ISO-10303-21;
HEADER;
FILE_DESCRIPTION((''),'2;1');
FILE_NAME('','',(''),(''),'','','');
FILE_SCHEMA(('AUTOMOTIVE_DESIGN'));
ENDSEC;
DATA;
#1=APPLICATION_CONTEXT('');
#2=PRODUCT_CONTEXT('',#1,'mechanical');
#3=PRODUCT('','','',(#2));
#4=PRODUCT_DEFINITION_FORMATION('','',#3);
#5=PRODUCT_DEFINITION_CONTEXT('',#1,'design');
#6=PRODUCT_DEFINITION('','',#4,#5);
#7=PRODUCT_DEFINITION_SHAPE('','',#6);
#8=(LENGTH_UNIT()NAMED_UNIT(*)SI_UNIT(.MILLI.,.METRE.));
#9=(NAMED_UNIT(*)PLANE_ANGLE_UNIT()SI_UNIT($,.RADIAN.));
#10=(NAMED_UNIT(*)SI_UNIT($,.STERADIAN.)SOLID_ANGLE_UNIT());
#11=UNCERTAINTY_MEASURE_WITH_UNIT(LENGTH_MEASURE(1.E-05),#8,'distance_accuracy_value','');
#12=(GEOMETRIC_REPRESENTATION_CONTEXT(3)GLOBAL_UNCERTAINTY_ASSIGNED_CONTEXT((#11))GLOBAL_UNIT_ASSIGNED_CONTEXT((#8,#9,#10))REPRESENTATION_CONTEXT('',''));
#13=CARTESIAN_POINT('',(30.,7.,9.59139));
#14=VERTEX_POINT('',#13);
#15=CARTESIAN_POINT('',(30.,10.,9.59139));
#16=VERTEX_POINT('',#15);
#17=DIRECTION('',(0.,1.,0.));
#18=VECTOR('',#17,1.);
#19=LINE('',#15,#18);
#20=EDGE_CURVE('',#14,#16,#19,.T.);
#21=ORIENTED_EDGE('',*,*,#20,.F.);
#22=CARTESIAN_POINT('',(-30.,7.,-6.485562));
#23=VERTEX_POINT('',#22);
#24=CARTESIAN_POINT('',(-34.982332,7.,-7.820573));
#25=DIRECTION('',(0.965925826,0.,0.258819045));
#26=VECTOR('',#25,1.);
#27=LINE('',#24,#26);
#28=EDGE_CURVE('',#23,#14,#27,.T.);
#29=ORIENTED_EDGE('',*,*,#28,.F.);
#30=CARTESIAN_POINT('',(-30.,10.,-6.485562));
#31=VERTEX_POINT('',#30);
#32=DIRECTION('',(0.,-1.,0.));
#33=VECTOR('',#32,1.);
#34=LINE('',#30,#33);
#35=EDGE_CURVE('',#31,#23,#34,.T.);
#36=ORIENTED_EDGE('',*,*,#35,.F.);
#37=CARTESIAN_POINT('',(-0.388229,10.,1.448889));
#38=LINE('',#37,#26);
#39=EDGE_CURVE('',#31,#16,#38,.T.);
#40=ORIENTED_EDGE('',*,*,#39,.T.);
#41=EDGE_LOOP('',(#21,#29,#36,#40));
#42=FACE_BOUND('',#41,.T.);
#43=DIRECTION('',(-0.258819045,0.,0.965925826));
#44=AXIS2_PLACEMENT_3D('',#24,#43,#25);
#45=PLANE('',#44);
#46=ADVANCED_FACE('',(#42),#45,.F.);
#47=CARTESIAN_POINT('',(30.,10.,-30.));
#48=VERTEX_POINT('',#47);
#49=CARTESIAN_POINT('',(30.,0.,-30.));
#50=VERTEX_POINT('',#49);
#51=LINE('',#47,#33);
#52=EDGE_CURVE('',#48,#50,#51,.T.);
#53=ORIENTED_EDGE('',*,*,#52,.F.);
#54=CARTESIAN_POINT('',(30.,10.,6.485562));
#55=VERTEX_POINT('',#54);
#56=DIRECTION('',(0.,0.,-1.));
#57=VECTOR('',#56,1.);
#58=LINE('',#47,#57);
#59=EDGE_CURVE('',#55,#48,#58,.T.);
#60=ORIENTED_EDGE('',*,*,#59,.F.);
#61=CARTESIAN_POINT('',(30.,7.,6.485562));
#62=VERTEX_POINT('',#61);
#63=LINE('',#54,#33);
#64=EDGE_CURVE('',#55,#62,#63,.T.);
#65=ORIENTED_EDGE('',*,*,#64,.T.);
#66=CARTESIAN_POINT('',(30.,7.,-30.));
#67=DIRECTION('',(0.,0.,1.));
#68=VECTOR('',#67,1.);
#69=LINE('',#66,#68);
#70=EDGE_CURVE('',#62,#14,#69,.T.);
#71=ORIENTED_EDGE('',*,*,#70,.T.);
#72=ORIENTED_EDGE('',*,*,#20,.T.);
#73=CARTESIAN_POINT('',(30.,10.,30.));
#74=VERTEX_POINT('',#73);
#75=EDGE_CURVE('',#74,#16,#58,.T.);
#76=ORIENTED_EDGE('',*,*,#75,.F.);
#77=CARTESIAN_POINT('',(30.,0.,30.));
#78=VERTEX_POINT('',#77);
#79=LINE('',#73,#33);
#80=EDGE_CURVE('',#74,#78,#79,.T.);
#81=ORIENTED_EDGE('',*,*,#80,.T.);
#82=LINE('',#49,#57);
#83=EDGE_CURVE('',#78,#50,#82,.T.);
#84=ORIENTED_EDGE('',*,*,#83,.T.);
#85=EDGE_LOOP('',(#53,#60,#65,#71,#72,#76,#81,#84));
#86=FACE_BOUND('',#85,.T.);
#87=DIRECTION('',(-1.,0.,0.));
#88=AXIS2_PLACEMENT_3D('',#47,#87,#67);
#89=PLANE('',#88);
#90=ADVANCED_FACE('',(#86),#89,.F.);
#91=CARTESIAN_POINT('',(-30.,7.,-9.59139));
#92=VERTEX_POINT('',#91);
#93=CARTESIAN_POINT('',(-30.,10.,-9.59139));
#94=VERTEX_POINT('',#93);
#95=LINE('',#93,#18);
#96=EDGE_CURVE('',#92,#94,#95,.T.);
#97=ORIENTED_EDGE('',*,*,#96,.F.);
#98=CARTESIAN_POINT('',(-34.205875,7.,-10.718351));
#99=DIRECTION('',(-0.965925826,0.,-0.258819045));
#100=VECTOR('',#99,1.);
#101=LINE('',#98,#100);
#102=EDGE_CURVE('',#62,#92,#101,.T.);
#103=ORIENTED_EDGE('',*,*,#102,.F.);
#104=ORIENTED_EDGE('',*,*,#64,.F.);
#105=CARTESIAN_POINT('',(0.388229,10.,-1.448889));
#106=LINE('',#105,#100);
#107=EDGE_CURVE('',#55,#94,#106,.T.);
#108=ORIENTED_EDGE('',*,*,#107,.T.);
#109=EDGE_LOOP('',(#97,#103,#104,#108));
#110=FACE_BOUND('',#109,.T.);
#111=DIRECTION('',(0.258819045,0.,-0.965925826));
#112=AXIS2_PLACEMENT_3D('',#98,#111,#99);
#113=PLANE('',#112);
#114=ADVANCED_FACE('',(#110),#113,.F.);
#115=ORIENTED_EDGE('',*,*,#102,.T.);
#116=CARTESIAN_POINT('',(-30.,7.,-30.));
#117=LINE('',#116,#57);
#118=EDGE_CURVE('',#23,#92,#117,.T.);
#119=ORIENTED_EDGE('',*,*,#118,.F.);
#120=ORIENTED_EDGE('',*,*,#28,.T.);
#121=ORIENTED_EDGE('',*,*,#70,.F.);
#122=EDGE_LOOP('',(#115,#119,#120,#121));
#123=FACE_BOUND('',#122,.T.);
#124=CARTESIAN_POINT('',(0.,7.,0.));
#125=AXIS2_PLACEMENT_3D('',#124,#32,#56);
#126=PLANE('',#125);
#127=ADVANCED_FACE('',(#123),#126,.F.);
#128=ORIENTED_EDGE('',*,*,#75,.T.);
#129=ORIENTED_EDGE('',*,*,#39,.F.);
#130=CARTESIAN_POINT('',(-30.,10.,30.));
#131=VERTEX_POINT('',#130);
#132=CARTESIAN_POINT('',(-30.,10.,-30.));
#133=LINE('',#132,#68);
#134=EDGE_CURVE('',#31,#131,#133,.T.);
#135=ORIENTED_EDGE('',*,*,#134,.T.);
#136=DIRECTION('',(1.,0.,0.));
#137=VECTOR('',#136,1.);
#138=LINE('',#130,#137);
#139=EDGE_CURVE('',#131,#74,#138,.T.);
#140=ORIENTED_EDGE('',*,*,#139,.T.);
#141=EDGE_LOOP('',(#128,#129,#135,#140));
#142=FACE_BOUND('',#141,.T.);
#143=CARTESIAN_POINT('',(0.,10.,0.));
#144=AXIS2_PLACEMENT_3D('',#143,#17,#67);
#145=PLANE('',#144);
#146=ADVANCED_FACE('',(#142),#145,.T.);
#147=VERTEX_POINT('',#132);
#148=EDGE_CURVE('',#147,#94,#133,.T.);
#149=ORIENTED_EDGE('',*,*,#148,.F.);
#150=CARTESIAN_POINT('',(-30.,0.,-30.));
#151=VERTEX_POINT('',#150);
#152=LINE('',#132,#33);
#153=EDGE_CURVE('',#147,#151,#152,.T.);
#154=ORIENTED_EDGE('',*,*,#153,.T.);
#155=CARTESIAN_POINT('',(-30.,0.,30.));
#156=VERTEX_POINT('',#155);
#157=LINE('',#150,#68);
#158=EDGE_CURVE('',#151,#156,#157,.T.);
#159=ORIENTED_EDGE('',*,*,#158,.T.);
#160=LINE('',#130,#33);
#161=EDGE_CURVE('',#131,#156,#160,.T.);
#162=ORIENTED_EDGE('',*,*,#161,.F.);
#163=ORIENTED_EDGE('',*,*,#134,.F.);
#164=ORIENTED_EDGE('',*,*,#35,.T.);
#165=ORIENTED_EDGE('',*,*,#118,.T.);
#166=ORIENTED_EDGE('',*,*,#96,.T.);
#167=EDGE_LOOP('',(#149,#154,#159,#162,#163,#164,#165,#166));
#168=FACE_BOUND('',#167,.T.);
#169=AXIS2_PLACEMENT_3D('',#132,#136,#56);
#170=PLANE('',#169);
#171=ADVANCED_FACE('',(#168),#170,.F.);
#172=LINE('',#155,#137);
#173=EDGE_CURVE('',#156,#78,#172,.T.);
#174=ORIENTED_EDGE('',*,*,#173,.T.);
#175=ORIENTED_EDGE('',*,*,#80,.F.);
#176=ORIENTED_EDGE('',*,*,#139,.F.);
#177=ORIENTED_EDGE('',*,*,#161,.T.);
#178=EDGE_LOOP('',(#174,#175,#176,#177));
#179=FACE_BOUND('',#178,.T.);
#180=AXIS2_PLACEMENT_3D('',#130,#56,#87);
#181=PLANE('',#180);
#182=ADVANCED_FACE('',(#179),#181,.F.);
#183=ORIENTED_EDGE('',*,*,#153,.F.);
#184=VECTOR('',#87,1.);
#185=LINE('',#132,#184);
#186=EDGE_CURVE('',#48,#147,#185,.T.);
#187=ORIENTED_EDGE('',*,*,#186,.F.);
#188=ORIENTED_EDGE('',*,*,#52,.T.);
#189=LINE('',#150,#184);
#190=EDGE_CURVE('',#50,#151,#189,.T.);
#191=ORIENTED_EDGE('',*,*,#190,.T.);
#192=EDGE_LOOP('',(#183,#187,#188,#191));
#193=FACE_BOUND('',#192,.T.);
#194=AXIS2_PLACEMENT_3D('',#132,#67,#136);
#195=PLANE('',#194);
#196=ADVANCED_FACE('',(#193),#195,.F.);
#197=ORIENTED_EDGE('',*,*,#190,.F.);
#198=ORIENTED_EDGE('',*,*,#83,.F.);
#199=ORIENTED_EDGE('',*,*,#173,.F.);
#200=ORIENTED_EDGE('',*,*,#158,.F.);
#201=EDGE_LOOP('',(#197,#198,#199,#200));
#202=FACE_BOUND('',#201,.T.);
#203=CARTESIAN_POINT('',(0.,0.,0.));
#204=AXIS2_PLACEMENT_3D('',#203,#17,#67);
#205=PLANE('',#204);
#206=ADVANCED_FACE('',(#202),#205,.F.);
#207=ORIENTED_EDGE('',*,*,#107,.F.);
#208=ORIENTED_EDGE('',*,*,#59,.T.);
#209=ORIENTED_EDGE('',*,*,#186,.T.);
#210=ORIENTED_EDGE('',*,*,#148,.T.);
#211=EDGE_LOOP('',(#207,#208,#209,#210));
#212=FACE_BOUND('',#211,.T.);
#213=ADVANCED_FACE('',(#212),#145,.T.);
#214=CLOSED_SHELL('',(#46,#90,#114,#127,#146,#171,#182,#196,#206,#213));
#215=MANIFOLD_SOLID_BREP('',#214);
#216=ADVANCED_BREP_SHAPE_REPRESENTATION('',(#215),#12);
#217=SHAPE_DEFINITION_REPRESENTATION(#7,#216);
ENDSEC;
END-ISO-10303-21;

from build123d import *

# Parameters (mm, degrees)
SKETCH1_W           = 60
SKETCH1_H           = 60
BOSS_EXTRUDE1_DEPTH = 10
CUT_EXTRUDE1_DEPTH  = 3


with BuildPart() as part:
    # Sketch1 → Boss-Extrude1 (new body)
    with BuildSketch(Plane(origin=(0, 0, 0), x_dir=(1, 0, 0), z_dir=(0, 1, 0))):
        Rectangle(SKETCH1_W, SKETCH1_H)
    extrude(amount=BOSS_EXTRUDE1_DEPTH)

    # Sketch2 → Cut-Extrude1 (cut)
    with BuildSketch(Plane(origin=(0, 10, 0), x_dir=(1, 0, 0), z_dir=(0, 1, 0))):
        Polygon((-34.982332013, 7.820573342), (49.768078516, -14.888230718), (50.544535652, -11.990453239), (-34.205874878, 10.718350821), align=None)
    extrude(amount=-CUT_EXTRUDE1_DEPTH, mode=Mode.SUBTRACT)


solid = part.part
